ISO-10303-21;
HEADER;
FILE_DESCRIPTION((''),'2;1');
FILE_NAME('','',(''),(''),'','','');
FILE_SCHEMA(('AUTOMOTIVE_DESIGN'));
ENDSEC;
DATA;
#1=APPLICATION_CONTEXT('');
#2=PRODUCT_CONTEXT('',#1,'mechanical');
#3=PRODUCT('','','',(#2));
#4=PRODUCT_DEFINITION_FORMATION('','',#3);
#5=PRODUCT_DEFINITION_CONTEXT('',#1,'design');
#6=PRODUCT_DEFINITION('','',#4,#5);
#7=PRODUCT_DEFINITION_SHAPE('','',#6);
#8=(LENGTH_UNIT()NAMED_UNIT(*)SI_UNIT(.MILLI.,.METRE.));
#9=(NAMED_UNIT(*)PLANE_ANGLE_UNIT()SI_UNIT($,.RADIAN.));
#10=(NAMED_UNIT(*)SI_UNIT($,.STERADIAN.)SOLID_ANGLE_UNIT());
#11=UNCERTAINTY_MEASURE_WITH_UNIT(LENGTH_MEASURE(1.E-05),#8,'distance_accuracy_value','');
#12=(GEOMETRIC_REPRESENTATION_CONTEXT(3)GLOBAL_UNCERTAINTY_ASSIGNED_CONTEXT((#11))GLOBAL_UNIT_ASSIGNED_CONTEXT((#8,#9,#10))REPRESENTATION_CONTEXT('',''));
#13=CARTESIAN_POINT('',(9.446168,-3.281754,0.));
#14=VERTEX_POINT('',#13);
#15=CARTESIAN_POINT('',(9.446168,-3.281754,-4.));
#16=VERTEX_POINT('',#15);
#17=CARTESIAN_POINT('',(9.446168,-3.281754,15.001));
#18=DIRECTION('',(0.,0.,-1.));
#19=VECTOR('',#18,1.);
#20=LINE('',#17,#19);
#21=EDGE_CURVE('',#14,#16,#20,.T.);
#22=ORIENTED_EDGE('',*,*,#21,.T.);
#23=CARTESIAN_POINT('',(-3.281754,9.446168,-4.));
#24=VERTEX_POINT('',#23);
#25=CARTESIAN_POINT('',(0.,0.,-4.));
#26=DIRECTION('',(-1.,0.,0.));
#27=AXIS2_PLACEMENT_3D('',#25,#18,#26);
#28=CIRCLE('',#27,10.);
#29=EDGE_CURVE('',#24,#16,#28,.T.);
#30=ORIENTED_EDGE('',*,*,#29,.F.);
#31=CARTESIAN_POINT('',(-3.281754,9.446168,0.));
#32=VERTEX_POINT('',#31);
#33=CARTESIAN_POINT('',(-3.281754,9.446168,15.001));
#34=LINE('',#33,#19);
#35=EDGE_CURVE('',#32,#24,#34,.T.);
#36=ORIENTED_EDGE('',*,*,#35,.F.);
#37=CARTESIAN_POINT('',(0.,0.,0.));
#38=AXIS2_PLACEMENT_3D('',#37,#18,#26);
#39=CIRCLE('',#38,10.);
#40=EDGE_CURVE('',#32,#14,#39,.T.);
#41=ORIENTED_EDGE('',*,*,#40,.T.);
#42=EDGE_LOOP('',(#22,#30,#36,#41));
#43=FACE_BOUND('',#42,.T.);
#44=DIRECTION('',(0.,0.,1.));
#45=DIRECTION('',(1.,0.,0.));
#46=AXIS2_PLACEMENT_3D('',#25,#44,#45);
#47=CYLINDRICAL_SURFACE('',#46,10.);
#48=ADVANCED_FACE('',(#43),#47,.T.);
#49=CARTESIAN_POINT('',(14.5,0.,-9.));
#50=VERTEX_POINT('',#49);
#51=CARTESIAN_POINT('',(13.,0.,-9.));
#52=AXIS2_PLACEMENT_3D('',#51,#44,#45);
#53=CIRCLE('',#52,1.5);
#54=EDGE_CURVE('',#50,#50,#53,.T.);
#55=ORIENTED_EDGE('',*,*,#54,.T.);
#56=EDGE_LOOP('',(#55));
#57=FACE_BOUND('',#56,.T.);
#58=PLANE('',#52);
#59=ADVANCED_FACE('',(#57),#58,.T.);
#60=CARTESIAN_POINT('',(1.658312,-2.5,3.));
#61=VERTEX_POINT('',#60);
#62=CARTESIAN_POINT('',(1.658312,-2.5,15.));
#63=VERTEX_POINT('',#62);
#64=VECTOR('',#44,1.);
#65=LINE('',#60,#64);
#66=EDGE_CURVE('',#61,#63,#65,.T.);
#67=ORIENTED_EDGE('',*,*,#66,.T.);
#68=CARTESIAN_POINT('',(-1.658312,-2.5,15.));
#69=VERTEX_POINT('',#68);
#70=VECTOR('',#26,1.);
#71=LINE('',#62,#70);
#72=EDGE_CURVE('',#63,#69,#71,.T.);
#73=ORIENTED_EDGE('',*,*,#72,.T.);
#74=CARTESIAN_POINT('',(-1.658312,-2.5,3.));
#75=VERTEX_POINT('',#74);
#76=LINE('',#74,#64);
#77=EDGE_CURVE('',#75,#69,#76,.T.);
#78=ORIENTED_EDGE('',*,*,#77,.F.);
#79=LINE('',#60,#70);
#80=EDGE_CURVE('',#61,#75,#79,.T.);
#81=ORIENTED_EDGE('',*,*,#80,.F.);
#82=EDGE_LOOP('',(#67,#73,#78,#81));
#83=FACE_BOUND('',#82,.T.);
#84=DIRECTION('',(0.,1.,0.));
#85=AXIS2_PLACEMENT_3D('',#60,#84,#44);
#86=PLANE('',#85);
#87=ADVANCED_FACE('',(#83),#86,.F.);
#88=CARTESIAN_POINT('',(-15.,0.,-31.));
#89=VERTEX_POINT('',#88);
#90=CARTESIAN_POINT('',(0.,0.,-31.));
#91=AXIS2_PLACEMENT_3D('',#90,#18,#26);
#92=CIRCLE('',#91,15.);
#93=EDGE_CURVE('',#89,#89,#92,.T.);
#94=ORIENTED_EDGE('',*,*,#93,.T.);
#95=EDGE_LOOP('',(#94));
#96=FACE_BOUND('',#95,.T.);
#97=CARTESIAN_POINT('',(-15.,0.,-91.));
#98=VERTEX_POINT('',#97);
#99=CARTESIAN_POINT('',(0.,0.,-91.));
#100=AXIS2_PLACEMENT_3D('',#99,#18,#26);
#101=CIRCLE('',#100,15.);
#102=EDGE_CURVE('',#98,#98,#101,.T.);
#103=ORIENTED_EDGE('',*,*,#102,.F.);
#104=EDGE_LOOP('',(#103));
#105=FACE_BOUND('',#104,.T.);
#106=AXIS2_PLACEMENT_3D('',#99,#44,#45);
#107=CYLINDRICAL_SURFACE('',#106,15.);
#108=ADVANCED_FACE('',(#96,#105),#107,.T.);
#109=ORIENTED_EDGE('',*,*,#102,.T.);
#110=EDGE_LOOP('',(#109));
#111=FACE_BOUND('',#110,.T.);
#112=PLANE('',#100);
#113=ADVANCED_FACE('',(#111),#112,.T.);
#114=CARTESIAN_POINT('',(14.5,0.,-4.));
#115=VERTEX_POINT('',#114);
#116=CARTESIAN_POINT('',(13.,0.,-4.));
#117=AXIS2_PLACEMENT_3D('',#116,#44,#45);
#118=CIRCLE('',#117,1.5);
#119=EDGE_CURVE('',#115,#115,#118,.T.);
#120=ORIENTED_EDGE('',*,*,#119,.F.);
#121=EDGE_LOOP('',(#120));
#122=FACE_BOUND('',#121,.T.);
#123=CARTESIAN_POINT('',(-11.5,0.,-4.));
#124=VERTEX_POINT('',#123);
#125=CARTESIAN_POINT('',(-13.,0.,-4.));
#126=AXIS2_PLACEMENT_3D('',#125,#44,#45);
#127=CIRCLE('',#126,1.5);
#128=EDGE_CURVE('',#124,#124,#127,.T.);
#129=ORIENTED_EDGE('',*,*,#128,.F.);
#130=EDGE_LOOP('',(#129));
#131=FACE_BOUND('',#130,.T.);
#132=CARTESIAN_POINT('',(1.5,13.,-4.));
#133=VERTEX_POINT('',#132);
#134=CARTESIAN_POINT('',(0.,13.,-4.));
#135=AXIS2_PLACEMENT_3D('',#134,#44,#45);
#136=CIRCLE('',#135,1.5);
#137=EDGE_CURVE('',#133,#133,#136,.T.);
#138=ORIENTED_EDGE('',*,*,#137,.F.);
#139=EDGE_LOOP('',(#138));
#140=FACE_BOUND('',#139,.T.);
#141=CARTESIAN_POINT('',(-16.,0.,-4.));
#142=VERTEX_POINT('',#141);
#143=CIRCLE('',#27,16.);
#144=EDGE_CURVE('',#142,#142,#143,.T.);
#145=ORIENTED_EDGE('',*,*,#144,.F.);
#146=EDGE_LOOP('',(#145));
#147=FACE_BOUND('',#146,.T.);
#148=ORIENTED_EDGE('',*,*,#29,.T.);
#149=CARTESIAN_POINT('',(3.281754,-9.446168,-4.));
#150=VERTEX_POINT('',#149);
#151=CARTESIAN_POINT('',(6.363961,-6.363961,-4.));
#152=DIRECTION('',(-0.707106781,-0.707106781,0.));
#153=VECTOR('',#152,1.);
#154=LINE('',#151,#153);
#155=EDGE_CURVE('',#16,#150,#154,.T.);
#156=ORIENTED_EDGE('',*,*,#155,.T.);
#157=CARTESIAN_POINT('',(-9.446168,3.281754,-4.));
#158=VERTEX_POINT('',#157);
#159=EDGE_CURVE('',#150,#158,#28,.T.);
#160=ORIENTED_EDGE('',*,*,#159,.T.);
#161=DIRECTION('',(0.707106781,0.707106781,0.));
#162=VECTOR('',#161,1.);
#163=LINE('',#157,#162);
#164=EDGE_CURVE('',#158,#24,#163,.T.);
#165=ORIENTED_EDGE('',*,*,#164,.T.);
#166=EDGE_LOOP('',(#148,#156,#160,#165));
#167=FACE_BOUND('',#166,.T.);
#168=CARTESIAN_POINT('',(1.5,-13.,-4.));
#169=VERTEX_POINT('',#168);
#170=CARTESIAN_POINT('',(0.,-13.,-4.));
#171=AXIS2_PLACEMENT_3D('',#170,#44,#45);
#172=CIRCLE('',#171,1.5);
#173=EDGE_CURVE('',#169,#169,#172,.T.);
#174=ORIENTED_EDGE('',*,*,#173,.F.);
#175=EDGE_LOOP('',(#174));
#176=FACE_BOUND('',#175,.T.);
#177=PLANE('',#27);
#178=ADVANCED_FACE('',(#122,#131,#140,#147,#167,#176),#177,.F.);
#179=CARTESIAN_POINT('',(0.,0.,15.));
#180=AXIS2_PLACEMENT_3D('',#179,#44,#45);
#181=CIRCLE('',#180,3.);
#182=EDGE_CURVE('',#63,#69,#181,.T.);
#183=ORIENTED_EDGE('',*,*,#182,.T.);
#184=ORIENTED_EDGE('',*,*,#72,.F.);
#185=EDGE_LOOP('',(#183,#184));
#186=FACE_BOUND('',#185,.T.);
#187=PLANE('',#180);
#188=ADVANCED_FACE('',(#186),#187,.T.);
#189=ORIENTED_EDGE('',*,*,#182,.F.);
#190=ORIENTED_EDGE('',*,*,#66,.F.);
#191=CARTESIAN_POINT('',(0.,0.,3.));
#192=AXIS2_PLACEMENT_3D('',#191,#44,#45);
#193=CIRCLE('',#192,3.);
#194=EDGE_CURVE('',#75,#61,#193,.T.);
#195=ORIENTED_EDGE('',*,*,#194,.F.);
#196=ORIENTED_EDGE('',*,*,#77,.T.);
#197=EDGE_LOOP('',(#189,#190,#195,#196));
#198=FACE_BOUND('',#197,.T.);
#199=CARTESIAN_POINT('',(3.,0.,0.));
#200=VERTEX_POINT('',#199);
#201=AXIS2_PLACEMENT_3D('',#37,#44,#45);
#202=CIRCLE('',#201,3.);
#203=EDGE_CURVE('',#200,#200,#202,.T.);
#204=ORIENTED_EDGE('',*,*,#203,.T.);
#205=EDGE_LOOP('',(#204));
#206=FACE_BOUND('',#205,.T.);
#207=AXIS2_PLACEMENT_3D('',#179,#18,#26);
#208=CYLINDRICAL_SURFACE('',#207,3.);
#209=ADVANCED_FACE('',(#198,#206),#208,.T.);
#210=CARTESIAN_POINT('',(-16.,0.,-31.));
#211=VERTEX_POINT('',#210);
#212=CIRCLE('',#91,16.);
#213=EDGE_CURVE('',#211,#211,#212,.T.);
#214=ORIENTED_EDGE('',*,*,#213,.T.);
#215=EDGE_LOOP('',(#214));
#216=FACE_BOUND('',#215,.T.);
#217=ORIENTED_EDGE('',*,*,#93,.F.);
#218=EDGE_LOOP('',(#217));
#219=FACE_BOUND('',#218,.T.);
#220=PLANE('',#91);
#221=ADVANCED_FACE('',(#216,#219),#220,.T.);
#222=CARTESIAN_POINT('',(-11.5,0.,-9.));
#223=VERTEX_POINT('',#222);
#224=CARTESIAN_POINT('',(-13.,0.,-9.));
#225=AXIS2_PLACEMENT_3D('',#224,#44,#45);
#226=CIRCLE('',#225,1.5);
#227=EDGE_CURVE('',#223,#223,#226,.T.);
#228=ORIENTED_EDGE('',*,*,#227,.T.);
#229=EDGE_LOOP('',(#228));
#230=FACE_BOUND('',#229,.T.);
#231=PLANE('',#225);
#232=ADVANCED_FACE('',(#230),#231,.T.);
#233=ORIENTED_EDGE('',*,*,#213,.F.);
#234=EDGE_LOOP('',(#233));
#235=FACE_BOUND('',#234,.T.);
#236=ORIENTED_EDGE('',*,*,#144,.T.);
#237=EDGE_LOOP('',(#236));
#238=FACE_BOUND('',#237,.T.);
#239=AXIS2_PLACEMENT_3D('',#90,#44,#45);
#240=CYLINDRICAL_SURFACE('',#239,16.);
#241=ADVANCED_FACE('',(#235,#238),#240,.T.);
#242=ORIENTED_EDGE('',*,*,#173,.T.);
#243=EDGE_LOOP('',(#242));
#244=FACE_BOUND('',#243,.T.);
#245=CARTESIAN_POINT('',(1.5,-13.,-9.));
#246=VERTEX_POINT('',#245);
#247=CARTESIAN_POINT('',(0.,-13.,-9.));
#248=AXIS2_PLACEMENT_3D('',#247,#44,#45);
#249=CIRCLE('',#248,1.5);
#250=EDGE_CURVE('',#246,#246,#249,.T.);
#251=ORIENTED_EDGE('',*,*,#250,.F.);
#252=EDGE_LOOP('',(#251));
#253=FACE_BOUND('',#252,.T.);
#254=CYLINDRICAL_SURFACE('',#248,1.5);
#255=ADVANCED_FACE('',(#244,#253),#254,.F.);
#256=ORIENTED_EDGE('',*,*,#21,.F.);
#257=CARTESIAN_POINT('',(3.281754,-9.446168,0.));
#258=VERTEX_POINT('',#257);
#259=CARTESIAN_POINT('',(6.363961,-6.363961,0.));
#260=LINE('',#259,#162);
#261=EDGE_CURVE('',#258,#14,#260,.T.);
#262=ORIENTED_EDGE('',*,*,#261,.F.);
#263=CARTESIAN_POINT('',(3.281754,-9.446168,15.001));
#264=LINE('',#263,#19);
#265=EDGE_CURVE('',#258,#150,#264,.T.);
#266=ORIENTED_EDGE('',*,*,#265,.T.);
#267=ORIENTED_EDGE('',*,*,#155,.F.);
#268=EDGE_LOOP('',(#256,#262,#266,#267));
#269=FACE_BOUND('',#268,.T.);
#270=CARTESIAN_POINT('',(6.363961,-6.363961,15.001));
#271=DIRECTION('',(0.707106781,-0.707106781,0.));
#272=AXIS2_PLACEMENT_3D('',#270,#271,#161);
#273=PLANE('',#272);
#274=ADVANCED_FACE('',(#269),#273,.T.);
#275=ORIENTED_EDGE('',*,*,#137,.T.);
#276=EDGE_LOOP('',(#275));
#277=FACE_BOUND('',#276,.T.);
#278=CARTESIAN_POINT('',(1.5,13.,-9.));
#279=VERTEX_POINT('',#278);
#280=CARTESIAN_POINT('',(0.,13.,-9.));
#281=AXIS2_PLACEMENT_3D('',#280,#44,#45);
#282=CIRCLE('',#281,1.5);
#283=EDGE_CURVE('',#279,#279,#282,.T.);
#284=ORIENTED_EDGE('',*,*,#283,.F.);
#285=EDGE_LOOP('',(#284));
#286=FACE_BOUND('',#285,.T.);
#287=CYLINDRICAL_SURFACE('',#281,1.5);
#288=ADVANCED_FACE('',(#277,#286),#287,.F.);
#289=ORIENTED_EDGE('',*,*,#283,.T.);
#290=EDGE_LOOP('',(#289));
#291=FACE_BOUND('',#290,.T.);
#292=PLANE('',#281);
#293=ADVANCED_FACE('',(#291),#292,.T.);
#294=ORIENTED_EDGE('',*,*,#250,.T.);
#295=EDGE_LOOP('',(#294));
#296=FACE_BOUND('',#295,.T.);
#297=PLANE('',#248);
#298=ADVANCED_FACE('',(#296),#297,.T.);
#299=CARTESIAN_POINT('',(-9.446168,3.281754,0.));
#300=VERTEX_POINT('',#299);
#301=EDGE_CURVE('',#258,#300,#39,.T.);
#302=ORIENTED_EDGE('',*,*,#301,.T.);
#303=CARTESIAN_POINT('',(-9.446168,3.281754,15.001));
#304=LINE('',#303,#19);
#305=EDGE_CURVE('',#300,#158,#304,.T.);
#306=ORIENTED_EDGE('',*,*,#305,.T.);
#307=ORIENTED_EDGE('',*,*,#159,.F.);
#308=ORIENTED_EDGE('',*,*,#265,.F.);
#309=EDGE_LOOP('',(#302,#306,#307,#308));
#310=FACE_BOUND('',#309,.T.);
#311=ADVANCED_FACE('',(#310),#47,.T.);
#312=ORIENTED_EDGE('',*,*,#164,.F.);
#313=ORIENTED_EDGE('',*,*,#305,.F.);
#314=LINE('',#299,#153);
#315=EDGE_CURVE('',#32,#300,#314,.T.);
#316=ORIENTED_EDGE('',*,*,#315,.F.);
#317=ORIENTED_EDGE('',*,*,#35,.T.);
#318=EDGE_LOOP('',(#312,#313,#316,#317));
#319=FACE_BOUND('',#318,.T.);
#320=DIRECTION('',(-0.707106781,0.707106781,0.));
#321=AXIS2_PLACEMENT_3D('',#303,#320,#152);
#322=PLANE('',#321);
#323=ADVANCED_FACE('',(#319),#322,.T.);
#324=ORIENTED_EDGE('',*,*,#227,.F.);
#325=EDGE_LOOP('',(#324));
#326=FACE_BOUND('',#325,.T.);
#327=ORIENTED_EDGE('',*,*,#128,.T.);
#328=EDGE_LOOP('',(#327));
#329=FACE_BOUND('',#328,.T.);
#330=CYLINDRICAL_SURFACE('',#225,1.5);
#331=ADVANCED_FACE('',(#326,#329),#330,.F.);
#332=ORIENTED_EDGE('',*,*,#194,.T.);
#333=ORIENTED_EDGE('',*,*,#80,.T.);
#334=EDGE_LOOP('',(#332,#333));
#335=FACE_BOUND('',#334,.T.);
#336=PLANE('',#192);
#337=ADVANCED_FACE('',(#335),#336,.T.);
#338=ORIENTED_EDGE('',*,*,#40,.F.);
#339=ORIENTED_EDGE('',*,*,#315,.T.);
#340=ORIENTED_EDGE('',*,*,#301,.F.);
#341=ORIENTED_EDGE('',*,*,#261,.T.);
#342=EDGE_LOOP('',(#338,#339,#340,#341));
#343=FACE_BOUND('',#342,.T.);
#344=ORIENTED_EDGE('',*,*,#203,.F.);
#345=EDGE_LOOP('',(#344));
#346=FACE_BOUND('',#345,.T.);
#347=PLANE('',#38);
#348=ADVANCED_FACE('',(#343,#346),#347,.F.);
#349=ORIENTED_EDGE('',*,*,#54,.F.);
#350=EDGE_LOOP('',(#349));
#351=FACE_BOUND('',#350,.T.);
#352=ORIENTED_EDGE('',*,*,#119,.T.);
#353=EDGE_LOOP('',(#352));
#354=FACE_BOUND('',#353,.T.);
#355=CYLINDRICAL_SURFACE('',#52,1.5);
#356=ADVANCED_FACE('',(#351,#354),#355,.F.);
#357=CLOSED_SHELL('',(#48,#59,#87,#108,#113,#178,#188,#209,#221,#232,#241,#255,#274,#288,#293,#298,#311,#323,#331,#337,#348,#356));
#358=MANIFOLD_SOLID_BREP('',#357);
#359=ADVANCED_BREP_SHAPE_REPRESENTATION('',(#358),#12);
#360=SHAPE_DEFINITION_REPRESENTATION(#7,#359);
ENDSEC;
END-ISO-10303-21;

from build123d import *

# Parameters (mm, degrees)
SKETCH1_R           = 3
BOSS_EXTRUDE1_DEPTH = 15
CUT_EXTRUDE2_START  = -12
CUT_EXTRUDE2_DEPTH  = 12
SKETCH3_R           = 10
BOSS_EXTRUDE2_DEPTH = 4
CUT_EXTRUDE3_REACH  = 25.685
SKETCH5_R           = 16
BOSS_EXTRUDE3_DEPTH = 27
SKETCH6_R           = 15
BOSS_EXTRUDE4_DEPTH = 60
SKETCH9_R           = 1.5
CUT_EXTRUDE4_DEPTH  = 5


with BuildPart() as part:
    # Sketch1 → Boss-Extrude1 (new body)
    with BuildSketch(Plane.XY):
        Circle(SKETCH1_R)
    extrude(amount=BOSS_EXTRUDE1_DEPTH)

    # Sketch2 → Cut-Extrude2 (cut)
    with BuildSketch(Plane.XY.offset(15).offset(CUT_EXTRUDE2_START)):
        with BuildLine():
            Line((1.658312395, -2.5), (-1.658312395, -2.5))
            ThreePointArc((-1.658312395, -2.5), (0, -3), (1.658312395, -2.5))
        make_face()
    extrude(amount=CUT_EXTRUDE2_DEPTH, mode=Mode.SUBTRACT)

    # Sketch3 → Boss-Extrude2 (add)
    with BuildSketch(Plane(origin=(0, 0, 0), x_dir=(-1, 0, 0), z_dir=(0, 0, -1))):
        Circle(SKETCH3_R)
    extrude(amount=BOSS_EXTRUDE2_DEPTH)

    # Sketch4 → Cut-Extrude3 (cut, up to next)
    with BuildSketch(Plane(origin=(0, 0, -4), x_dir=(-1, 0, 0), z_dir=(0, 0, -1)), mode=Mode.PRIVATE) as cut_extrude3_sk1:
        with BuildLine():
            Line((-3.281754029, -9.446168032), (-9.446168032, -3.281754029))
            ThreePointArc((-9.446168032, -3.281754029), (-7.071067812, -7.071067812), (-3.281754029, -9.446168032))
        make_face()
    cut_extrude3_tool1 = extrude(cut_extrude3_sk1.sketch, amount=-CUT_EXTRUDE3_REACH, mode=Mode.PRIVATE) & part.part
    # Sketch4 → Cut-Extrude3 (cut, up to next)
    with BuildSketch(Plane(origin=(0, 0, -4), x_dir=(-1, 0, 0), z_dir=(0, 0, -1)), mode=Mode.PRIVATE) as cut_extrude3_sk2:
        with BuildLine():
            ThreePointArc((9.446168032, 3.281754029), (7.071067812, 7.071067812), (3.281754029, 9.446168032))
            Line((3.281754029, 9.446168032), (9.446168032, 3.281754029))
        make_face()
    cut_extrude3_tool2 = extrude(cut_extrude3_sk2.sketch, amount=-CUT_EXTRUDE3_REACH, mode=Mode.PRIVATE) & part.part
    add(cut_extrude3_tool1.solids().sort_by_distance((6.648052, -6.648052, -4))[0], mode=Mode.SUBTRACT)
    add(cut_extrude3_tool2.solids().sort_by_distance((-6.648052, 6.648052, -4))[0], mode=Mode.SUBTRACT)

    # Sketch5 → Boss-Extrude3 (add)
    with BuildSketch(Plane(origin=(0, 0, -4), x_dir=(-1, 0, 0), z_dir=(0, 0, -1))):
        Circle(SKETCH5_R)
    extrude(amount=BOSS_EXTRUDE3_DEPTH)

    # Sketch6 → Boss-Extrude4 (add)
    with BuildSketch(Plane(origin=(0, 0, -31), x_dir=(-1, 0, 0), z_dir=(0, 0, -1))):
        Circle(SKETCH6_R)
    extrude(amount=BOSS_EXTRUDE4_DEPTH)

    # Sketch9 → Cut-Extrude4 (cut)
    with BuildSketch(Plane.XY.offset(-4)):
        with Locations((0, 13)):
            Circle(SKETCH9_R)
        with Locations((13, 0)):
            Circle(SKETCH9_R)
        with Locations((0, -13)):
            Circle(SKETCH9_R)
        with Locations((-13, 0)):
            Circle(SKETCH9_R)
    extrude(amount=-CUT_EXTRUDE4_DEPTH, mode=Mode.SUBTRACT)


solid = part.part
